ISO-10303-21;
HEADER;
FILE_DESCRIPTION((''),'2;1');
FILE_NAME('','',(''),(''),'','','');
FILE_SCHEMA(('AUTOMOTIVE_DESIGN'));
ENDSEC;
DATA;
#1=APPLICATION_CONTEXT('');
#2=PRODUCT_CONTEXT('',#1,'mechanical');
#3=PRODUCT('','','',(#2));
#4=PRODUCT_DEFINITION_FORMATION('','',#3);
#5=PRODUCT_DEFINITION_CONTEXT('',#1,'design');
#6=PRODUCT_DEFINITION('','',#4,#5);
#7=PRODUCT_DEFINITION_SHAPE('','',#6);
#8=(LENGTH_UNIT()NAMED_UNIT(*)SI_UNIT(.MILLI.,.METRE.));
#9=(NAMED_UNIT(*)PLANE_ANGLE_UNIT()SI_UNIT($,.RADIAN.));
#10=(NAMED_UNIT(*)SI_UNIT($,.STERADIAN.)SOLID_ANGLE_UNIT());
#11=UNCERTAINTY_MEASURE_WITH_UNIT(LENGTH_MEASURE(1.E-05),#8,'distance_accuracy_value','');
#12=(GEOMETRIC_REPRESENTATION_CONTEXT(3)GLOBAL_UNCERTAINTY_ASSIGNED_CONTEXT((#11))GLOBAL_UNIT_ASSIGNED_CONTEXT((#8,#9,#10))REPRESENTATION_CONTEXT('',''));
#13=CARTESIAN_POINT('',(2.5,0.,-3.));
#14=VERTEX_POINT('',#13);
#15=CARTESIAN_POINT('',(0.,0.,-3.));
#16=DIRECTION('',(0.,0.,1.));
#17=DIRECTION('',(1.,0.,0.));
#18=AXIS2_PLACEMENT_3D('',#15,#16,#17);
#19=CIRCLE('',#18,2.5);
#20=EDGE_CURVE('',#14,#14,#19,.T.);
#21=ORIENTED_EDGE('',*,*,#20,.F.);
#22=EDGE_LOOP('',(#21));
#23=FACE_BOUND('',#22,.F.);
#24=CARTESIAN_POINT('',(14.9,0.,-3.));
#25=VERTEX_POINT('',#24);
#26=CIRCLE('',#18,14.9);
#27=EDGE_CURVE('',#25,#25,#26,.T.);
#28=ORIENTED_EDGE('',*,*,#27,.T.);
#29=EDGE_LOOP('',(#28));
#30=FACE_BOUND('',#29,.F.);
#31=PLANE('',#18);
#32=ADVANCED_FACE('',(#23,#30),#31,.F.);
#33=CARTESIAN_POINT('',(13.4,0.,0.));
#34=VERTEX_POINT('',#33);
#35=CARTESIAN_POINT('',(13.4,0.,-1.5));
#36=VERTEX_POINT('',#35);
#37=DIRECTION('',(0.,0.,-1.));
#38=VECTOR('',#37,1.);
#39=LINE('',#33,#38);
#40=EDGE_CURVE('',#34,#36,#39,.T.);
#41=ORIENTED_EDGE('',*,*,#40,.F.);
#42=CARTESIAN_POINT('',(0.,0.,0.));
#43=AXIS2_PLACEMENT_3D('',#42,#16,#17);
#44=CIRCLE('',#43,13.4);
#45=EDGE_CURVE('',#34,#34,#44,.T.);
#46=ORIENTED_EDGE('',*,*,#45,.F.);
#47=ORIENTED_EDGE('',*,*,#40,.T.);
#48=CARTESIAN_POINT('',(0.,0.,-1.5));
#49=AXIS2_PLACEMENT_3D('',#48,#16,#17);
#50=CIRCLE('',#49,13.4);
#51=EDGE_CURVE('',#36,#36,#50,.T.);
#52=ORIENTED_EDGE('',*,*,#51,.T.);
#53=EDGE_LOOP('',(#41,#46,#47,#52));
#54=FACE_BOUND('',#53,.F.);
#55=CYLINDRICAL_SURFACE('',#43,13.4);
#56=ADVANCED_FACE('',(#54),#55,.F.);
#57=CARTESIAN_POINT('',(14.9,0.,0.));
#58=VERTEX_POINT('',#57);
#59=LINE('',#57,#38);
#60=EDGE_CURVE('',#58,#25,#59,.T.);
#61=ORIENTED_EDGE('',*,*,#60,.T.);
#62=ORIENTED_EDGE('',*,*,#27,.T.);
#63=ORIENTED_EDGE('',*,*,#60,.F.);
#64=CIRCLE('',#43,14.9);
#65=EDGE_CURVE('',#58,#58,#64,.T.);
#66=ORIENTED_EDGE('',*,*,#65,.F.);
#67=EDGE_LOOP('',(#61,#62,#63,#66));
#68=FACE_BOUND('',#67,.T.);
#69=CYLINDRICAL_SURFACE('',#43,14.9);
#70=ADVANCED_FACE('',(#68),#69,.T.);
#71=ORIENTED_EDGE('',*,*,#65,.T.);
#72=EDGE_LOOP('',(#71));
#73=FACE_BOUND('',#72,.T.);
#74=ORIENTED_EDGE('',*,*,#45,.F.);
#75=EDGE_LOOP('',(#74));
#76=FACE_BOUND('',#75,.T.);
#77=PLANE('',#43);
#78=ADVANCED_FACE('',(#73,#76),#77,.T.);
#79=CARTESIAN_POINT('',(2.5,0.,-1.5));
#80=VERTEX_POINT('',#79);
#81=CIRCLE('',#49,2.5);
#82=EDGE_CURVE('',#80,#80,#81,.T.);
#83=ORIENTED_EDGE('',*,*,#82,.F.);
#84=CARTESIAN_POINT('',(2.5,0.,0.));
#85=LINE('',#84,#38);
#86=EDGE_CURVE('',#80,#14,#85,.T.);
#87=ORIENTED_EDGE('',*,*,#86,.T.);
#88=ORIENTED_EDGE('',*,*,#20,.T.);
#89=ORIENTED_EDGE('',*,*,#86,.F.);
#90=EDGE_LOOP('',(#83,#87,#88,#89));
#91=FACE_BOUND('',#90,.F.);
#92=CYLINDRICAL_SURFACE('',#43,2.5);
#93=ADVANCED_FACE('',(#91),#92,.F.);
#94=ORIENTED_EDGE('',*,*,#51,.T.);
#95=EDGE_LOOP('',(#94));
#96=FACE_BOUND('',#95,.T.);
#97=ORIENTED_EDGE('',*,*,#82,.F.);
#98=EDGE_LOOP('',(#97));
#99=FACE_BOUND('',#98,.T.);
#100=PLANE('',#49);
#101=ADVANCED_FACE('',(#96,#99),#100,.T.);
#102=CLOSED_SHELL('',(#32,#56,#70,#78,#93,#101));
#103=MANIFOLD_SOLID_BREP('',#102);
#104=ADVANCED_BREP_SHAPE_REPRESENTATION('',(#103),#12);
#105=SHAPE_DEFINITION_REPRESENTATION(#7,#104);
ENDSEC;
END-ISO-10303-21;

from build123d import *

# Parameters (mm, degrees)
F0_R     = 14.9
F0_R_2   = 13.4
F0_R_3   = 2.5
F1_DEPTH = 3
F2_DEPTH = 1.5


with BuildPart() as f1:
    # F0 (on Top) → F1 (new body)
    with BuildSketch(Plane.XY):
        Circle(F0_R)
        Circle(F0_R_2, mode=Mode.SUBTRACT)
        Circle(F0_R_2)
        Circle(F0_R_3, mode=Mode.SUBTRACT)
    extrude(amount=-F1_DEPTH)

    # F0 (on Top) → F2 (cut)
    with BuildSketch(Plane.XY):
        Circle(F0_R_2)
        Circle(F0_R_3, mode=Mode.SUBTRACT)
    extrude(amount=-F2_DEPTH, mode=Mode.SUBTRACT)


solid = f1.part
